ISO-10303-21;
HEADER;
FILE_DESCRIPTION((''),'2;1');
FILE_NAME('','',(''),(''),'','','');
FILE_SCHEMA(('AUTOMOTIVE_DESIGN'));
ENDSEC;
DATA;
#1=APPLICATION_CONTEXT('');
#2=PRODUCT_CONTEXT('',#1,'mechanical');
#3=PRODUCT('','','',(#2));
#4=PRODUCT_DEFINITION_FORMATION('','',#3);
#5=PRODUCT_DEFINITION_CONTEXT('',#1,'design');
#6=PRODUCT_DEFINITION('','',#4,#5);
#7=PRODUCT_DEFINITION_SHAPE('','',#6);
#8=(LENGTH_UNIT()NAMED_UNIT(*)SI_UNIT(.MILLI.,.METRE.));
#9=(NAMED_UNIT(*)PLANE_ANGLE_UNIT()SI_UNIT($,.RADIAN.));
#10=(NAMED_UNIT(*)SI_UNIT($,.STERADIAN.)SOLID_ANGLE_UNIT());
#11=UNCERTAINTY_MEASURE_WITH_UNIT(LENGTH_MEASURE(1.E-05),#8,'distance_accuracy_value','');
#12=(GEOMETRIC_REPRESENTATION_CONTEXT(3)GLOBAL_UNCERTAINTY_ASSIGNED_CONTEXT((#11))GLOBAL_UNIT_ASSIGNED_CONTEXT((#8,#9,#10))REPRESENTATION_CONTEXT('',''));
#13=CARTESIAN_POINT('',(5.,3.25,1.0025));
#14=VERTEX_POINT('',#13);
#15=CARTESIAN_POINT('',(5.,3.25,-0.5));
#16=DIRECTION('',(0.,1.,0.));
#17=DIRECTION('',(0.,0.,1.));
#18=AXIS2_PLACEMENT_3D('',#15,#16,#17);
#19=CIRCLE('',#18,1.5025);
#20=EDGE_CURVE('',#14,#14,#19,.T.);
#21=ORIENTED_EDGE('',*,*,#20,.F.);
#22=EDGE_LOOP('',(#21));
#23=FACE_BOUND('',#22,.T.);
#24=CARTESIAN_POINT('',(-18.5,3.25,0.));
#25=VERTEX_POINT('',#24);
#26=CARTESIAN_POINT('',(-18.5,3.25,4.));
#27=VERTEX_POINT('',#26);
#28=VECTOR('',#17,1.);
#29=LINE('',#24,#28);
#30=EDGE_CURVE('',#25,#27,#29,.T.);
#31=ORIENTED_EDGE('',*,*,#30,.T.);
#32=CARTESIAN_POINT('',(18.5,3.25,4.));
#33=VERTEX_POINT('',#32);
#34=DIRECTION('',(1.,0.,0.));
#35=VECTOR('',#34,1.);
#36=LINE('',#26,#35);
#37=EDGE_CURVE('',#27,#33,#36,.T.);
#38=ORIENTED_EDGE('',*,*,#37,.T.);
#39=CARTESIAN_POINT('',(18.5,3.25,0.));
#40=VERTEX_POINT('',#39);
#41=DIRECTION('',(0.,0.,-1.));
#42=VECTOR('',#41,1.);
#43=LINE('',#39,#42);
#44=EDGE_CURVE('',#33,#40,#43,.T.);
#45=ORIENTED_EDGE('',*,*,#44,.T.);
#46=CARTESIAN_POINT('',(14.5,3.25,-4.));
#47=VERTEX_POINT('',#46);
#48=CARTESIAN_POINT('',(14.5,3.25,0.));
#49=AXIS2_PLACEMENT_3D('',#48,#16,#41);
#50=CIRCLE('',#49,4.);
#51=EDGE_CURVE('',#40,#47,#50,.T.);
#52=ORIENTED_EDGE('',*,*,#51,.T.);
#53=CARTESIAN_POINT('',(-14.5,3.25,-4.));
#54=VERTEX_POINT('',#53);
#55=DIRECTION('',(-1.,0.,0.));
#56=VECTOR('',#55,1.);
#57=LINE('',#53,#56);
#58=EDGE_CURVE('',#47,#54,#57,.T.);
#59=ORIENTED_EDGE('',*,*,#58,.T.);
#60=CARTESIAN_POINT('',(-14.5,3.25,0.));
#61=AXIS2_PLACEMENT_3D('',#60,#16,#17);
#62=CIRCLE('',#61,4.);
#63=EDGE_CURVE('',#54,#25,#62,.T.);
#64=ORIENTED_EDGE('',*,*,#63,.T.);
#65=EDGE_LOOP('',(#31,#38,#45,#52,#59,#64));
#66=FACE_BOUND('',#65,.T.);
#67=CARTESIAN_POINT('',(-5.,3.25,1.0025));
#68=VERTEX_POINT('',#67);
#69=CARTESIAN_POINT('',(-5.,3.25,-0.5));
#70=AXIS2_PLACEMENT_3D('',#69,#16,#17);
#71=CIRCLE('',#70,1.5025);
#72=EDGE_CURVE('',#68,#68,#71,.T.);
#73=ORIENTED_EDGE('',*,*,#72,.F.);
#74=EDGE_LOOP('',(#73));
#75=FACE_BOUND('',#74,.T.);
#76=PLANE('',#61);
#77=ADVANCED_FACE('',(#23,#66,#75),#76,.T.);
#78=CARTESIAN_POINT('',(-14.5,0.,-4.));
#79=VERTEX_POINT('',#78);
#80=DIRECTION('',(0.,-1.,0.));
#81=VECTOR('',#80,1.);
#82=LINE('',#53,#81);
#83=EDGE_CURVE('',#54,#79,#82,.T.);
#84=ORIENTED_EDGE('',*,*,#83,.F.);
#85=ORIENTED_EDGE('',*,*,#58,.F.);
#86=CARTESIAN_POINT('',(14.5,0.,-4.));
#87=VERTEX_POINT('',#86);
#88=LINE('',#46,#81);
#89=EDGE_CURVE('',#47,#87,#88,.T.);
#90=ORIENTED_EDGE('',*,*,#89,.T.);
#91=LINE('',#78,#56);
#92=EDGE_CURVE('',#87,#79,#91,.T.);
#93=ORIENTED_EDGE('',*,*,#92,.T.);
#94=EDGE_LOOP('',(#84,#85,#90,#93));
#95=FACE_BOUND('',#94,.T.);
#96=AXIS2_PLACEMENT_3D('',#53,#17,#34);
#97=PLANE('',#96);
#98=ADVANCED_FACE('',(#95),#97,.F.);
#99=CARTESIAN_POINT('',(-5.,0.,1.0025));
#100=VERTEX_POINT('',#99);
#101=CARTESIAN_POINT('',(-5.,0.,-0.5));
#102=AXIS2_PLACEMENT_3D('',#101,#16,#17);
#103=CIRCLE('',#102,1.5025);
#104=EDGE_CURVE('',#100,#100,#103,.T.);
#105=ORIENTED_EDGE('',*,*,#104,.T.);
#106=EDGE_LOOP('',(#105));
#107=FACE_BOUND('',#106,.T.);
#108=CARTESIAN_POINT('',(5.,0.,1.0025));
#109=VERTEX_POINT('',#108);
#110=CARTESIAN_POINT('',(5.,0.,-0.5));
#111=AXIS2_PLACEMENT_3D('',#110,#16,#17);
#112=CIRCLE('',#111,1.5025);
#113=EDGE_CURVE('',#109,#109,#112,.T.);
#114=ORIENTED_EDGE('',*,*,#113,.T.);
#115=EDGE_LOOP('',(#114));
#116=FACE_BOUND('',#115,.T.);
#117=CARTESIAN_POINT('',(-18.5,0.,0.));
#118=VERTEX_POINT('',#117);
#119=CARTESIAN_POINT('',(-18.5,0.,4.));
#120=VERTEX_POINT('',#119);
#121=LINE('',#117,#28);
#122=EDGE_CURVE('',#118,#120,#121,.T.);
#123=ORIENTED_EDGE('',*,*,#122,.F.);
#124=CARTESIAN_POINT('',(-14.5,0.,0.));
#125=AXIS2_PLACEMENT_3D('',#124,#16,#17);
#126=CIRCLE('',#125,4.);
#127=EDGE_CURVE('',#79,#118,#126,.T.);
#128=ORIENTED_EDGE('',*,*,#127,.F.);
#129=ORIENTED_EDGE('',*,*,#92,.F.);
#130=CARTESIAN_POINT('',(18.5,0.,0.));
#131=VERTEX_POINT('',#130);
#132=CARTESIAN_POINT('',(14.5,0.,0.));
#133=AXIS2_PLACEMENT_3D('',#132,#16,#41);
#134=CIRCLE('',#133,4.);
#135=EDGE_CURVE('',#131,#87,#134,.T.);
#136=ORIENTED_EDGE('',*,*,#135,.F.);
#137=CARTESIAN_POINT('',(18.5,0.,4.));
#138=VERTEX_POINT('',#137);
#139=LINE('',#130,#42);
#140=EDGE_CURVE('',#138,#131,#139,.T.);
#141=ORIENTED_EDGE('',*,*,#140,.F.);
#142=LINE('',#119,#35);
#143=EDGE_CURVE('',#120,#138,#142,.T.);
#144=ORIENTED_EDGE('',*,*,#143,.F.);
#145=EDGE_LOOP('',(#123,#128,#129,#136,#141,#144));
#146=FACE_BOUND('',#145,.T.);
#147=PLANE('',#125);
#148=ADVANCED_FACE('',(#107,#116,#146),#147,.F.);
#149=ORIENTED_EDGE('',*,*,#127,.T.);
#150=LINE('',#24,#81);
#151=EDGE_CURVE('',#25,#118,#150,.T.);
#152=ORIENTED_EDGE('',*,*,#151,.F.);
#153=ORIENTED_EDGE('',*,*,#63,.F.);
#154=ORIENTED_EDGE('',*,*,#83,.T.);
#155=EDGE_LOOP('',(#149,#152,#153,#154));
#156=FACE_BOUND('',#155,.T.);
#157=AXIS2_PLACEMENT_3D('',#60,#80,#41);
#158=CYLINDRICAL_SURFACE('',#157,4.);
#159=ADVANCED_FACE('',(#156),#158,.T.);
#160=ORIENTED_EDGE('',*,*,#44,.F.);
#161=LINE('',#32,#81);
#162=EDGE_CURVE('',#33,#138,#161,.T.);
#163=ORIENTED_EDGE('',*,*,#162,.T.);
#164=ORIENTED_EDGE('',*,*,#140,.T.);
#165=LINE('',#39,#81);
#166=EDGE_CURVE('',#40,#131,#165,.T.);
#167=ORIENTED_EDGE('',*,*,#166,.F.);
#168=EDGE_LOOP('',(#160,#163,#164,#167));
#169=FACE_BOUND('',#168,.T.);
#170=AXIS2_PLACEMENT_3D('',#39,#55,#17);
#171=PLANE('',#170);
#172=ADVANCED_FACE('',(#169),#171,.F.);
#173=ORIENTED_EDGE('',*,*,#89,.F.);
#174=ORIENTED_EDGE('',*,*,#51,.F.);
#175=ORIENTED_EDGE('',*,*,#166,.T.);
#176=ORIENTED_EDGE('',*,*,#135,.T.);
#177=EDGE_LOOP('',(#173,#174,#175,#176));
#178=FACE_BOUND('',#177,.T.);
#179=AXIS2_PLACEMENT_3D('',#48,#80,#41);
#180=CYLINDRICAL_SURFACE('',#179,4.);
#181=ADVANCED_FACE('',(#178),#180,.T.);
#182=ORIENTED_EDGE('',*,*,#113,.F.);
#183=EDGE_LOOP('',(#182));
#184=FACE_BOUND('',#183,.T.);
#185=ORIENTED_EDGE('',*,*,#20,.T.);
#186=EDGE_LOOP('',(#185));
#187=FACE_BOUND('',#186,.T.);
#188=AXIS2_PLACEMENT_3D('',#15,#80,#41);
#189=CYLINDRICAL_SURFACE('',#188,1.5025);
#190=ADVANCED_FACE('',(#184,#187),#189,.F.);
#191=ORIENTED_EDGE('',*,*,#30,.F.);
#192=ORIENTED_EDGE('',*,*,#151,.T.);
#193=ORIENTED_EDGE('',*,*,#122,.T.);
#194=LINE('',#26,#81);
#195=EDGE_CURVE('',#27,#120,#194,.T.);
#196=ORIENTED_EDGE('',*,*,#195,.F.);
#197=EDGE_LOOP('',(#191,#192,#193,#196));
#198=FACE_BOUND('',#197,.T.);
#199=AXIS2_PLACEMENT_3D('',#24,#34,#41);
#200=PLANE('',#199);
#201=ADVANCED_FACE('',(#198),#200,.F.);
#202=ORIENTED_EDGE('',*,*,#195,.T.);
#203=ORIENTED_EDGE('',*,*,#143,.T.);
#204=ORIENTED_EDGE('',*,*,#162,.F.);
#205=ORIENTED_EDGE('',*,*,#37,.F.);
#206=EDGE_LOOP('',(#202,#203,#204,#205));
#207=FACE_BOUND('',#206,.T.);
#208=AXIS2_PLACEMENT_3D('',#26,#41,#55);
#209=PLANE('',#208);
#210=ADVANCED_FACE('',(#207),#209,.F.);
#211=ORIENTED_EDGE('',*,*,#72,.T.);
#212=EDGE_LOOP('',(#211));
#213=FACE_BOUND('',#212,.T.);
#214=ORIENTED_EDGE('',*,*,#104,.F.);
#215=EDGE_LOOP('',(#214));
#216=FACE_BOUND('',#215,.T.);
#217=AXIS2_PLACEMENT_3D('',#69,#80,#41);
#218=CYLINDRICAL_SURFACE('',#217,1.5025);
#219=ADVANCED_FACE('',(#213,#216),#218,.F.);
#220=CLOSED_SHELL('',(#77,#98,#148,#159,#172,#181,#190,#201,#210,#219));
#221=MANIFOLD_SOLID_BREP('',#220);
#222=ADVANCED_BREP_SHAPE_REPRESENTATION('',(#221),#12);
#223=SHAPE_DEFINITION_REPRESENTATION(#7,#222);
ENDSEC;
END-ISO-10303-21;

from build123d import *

# Parameters (mm, degrees)
SKETCH1_R           = 1.5025
BOSS_EXTRUDE1_DEPTH = 3.25


with BuildPart() as part:
    # Sketch1 → Boss-Extrude1 (new body)
    with BuildSketch(Plane(origin=(0, 0, 0), x_dir=(1, 0, 0), z_dir=(0, 1, 0))):
        with BuildLine():
            Line((-14.5, 4), (14.5, 4))
            ThreePointArc((14.5, 4), (17.328427125, 2.828427125), (18.5, 0))
            Line((18.5, 0), (18.5, -4))
            Line((18.5, -4), (-18.5, -4))
            Line((-18.5, -4), (-18.5, 0))
            ThreePointArc((-18.5, 0), (-17.328427125, 2.828427125), (-14.5, 4))
        make_face()
        with Locations((-5, 0.5)):
            Circle(SKETCH1_R, mode=Mode.SUBTRACT)
        with Locations((5, 0.5)):
            Circle(SKETCH1_R, mode=Mode.SUBTRACT)
    extrude(amount=BOSS_EXTRUDE1_DEPTH)


solid = part.part
